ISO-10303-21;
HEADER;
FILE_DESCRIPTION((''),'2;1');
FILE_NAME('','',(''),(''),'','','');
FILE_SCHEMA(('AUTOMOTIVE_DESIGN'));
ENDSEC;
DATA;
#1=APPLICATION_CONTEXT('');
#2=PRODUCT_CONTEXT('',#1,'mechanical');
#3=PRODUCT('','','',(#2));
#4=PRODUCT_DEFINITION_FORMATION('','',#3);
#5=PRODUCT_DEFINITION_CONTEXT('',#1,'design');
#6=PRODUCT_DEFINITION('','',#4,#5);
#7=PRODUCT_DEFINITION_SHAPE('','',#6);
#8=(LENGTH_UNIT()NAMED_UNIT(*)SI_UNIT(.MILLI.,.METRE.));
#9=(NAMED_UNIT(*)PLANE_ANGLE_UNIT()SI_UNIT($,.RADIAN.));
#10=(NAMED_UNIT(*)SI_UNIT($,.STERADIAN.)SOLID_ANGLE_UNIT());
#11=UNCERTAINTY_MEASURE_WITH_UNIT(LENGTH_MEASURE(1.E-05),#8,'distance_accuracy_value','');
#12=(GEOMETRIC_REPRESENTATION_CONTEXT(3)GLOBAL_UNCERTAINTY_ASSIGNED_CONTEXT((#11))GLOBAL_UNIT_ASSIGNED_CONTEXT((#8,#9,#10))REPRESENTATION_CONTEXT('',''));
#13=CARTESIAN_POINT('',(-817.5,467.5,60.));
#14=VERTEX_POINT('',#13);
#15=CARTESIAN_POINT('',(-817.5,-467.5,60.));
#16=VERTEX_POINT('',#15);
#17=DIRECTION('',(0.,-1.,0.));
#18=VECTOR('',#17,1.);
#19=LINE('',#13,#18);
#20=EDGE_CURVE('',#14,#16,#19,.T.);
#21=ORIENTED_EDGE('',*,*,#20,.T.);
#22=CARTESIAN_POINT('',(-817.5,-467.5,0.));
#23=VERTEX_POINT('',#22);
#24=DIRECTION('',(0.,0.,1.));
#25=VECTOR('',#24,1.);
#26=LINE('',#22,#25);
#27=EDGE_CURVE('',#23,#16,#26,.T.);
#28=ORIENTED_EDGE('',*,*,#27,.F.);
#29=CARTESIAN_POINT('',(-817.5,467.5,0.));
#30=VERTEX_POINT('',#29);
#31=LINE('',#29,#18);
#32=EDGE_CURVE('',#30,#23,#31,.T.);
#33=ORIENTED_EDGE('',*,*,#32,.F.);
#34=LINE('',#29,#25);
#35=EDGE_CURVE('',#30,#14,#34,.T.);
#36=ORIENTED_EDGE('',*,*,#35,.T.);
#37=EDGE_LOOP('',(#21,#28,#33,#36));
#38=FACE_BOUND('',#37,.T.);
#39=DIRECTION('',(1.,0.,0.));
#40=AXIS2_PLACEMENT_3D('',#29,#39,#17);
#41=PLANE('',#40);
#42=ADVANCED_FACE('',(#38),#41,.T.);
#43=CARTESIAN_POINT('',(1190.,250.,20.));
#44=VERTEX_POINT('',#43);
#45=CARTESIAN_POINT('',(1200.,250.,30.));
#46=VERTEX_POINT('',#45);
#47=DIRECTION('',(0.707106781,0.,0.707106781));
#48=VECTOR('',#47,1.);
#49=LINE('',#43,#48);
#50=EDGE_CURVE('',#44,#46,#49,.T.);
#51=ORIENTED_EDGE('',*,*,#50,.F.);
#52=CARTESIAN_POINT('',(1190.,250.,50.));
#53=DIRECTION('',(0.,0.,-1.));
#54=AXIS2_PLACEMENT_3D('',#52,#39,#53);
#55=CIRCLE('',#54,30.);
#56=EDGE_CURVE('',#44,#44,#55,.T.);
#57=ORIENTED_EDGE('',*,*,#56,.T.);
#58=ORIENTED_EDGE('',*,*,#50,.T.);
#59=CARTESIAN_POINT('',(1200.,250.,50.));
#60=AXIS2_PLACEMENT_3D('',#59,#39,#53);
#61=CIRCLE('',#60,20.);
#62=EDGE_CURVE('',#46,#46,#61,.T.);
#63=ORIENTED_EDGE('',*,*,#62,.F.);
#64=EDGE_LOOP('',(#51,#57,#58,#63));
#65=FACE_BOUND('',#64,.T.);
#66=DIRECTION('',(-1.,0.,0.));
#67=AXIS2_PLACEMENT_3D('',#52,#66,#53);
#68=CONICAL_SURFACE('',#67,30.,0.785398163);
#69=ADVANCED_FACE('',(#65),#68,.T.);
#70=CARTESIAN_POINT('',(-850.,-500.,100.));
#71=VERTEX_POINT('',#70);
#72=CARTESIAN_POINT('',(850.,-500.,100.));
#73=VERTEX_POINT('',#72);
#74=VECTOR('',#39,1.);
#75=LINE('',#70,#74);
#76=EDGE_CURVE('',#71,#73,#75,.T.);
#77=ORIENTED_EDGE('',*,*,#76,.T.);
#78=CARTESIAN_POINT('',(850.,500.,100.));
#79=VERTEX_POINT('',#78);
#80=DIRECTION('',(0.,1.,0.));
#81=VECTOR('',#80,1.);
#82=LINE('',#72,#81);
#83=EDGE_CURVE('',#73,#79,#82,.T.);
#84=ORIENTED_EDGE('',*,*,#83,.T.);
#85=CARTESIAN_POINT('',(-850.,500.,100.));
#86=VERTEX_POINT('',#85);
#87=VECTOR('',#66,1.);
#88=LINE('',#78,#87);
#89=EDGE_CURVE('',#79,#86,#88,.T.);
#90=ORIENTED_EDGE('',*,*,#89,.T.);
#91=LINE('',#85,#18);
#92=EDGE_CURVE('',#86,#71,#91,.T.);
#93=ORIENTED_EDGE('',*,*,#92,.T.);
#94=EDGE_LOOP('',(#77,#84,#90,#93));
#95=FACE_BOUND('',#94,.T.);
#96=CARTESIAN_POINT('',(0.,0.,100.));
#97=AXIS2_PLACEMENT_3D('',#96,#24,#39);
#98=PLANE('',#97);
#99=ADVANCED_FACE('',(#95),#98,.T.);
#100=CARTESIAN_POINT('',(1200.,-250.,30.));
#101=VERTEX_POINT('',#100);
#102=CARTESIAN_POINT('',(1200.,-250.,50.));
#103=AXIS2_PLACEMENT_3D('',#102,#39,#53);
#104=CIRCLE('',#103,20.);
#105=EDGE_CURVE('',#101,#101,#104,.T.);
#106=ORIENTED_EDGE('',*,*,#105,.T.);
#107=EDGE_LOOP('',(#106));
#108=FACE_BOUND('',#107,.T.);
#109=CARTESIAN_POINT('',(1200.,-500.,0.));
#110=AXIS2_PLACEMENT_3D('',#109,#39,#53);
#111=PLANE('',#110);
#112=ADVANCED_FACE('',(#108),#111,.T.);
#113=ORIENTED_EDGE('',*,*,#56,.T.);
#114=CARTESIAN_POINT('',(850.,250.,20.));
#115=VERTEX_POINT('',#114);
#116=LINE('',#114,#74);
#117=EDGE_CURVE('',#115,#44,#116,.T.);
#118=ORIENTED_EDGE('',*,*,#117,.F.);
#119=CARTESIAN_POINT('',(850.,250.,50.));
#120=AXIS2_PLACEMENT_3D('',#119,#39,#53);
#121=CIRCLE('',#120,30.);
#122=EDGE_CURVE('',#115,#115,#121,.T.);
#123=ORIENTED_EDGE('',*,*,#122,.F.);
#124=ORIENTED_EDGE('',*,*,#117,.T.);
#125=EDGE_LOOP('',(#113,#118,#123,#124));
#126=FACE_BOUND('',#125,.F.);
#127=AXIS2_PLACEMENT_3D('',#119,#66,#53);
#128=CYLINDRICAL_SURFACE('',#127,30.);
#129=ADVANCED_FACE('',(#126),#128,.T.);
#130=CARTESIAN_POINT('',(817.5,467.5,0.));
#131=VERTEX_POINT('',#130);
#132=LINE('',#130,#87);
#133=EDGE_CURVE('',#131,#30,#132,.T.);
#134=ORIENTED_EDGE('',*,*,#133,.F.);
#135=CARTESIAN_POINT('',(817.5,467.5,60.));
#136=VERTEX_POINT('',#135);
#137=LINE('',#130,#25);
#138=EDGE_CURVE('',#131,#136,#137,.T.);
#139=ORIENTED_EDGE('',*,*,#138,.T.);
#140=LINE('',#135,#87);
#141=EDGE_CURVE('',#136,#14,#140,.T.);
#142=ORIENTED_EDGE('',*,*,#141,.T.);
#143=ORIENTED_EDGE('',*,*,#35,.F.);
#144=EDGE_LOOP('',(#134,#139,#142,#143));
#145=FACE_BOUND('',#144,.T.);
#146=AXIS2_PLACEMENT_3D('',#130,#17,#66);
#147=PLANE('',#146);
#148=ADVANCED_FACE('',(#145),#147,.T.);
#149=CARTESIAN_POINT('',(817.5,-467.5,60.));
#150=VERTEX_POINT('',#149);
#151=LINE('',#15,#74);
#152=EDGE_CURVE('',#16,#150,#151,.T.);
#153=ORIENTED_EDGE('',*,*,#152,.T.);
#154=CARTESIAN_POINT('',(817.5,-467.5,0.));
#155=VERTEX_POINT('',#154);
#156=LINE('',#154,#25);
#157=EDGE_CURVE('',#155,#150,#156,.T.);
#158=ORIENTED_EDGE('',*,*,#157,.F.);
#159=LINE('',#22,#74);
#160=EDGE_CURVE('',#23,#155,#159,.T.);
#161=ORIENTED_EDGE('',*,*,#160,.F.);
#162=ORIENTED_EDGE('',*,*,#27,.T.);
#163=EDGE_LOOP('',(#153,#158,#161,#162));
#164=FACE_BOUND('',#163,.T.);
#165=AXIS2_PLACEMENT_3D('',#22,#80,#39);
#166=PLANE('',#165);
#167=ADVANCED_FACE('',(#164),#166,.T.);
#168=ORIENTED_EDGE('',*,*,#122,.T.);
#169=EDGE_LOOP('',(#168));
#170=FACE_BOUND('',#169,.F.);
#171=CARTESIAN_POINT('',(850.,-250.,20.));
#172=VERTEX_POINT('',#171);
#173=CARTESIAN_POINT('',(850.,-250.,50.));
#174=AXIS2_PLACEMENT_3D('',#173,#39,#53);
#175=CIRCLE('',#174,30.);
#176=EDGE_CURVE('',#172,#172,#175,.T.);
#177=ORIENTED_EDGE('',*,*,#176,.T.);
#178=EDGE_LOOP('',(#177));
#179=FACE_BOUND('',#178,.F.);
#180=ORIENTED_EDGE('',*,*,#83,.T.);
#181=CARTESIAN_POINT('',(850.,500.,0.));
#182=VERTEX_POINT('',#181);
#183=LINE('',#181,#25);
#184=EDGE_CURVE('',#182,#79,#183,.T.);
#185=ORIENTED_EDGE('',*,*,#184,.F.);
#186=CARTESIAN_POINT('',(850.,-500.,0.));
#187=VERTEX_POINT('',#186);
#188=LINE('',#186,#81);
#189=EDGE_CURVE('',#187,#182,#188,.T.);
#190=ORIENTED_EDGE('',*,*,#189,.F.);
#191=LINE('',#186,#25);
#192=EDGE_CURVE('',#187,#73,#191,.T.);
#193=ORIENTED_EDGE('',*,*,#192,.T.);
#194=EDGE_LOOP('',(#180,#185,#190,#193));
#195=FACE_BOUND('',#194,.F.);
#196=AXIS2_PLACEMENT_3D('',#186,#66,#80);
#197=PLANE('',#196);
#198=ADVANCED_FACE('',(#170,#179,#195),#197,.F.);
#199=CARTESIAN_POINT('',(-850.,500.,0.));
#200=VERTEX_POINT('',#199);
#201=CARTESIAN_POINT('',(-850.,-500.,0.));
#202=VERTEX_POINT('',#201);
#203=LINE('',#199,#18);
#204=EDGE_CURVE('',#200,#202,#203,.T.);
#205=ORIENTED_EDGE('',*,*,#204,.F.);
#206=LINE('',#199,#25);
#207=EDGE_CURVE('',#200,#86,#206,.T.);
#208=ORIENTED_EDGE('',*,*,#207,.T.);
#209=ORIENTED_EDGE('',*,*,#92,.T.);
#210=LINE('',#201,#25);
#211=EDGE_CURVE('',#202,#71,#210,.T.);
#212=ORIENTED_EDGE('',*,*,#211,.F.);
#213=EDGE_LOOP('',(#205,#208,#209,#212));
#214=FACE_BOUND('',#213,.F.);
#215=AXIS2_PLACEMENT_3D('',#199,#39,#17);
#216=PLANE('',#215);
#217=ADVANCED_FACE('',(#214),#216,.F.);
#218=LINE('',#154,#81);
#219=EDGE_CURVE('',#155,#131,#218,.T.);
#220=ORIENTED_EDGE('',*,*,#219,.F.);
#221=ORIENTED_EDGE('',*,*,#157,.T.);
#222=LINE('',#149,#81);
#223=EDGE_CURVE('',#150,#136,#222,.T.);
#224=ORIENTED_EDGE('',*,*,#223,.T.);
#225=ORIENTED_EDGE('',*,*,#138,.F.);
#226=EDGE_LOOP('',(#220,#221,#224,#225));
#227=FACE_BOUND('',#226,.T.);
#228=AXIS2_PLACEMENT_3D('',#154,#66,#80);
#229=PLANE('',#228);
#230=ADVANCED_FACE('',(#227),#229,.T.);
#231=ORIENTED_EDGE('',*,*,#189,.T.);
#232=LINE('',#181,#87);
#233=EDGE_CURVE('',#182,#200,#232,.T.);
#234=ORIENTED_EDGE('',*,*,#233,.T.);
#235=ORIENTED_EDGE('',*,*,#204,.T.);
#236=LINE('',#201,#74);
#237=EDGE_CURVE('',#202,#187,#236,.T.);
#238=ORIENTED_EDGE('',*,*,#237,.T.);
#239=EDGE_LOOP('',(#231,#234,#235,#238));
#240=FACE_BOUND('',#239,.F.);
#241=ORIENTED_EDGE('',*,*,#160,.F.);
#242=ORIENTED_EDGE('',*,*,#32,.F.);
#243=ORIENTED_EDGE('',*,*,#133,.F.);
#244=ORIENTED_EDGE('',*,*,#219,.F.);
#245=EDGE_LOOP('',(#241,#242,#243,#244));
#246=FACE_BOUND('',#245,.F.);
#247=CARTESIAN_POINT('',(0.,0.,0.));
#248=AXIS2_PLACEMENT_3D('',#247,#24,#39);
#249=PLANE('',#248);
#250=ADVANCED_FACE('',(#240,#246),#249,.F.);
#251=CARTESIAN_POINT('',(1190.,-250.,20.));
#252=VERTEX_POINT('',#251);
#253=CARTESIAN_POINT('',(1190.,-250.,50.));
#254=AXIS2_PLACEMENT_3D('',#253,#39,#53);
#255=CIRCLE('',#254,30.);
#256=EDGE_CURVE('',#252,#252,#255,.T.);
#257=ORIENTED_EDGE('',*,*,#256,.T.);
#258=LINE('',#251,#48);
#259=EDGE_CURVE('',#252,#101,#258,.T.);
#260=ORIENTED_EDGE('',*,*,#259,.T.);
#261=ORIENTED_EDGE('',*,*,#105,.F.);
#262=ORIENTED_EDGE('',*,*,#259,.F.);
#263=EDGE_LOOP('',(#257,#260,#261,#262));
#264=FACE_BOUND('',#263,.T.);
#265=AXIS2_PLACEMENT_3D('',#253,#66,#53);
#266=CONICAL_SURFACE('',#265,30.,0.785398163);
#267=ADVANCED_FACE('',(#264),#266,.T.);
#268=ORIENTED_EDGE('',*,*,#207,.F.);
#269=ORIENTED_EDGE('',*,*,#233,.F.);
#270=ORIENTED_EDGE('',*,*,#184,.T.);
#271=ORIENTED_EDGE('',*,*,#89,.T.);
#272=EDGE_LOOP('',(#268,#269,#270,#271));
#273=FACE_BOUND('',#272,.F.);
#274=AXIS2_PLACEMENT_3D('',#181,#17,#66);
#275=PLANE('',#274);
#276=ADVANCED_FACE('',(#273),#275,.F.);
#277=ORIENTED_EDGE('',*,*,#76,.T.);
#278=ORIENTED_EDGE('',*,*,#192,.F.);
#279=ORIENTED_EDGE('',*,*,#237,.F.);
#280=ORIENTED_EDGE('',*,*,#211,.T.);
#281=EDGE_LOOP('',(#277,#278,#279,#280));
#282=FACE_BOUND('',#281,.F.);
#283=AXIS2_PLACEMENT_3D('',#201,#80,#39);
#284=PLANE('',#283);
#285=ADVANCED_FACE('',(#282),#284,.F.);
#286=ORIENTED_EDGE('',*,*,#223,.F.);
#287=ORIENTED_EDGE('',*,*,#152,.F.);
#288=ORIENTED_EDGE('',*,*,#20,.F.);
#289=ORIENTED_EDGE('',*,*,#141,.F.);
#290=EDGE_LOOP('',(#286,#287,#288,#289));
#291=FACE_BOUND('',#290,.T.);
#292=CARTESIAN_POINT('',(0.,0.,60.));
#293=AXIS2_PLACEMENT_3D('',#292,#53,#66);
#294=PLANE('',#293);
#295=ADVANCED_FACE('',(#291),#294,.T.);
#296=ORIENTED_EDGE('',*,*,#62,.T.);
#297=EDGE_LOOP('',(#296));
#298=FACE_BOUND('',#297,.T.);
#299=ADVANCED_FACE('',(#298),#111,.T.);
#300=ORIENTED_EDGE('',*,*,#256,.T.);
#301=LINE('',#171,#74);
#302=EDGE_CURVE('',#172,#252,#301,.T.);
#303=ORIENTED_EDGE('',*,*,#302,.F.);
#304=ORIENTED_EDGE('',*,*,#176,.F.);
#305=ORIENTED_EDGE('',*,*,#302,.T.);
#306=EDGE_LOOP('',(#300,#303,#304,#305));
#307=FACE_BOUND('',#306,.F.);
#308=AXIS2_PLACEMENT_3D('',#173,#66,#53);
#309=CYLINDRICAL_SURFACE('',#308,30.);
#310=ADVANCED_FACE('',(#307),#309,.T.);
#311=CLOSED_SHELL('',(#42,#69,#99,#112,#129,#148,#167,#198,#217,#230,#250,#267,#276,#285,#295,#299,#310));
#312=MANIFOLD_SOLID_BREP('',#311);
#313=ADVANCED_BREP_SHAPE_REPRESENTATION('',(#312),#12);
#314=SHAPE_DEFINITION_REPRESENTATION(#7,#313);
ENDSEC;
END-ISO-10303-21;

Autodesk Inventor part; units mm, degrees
ref_plane "YZ Plane" through (0, 0, 0) normal (1, 0, 0) x (0, 1, 0)
ref_plane "XZ Plane" through (0, 0, 0) normal (0, 1, 0) x (-1, 0, 0)
ref_plane "XY Plane" through (0, 0, 0) normal (0, 0, 1) x (1, 0, 0)
sketch "Sketch1" plane through (0, 0, 0) normal (0, 0, 1) x (1, 0, 0)
  line L0 (-850, -500) -> (850, -500)
  line L1 (850, -500) -> (850, 500)
  line L2 (850, 500) -> (-850, 500)
  line L3 (-850, 500) -> (-850, -500)
  line L4 (-850, -500) -> (850, 500) construction
  line L5 (850, -500) -> (-850, 500) construction
  point P0 (0, 0)
  dimension "d0" = 1700
  dimension "d1" = 1000
extrude "Extrusion1" add sketch "Sketch1" along normal blind 100
sketch "Sketch2" plane through (0, 0, 0) normal (0, 0, -1) x (-1, 0, 0)
  line L0 (-817.5, 467.5) -> (817.5, 467.5)
  line L1 (817.5, 467.5) -> (817.5, -467.5)
  line L2 (817.5, -467.5) -> (-817.5, -467.5)
  line L3 (-817.5, -467.5) -> (-817.5, 467.5)
  line L4 (-817.5, 467.5) -> (817.5, -467.5) construction
  line L5 (817.5, 467.5) -> (-817.5, -467.5) construction
  line L6 (850, 500) -> (850, -500) projected
  line L7 (850, -500) -> (-850, -500) projected
  point P0 (0, 0)
  dimension "d4" = 32.5
  dimension "d5" = 32.5
extrude "Extrusion2" cut sketch "Sketch2" against normal blind 60
sketch "Sketch3" plane through (850, -500, 0) normal (1, 0, 0) x (0, 0, -1)
  circle A0 centre (-50, 250) radius 30
  circle A1 centre (-50, 750) radius 30
  point P0 (0, 500)
  dimension "d8" = 60
  dimension "d9" = 60
extrude "Extrusion3" add sketch "Sketch3" along normal blind 350 contours A0
sketch "Sketch4" plane through (850, -500, 0) normal (1, 0, 0) x (0, 0, -1)
  circle A0 centre (-50, 750) radius 30
  point P0 (0, 500)
  dimension "d12" = 60
extrude "Extrusion4" add sketch "Sketch4" along normal blind 350
chamfer "Chamfer1" distance 10 angle 45 1 edges at (1200, -250, 80)
chamfer "Chamfer2" distance 10 angle 45 1 edges at (1200, 250, 80)
properties part number "top"
